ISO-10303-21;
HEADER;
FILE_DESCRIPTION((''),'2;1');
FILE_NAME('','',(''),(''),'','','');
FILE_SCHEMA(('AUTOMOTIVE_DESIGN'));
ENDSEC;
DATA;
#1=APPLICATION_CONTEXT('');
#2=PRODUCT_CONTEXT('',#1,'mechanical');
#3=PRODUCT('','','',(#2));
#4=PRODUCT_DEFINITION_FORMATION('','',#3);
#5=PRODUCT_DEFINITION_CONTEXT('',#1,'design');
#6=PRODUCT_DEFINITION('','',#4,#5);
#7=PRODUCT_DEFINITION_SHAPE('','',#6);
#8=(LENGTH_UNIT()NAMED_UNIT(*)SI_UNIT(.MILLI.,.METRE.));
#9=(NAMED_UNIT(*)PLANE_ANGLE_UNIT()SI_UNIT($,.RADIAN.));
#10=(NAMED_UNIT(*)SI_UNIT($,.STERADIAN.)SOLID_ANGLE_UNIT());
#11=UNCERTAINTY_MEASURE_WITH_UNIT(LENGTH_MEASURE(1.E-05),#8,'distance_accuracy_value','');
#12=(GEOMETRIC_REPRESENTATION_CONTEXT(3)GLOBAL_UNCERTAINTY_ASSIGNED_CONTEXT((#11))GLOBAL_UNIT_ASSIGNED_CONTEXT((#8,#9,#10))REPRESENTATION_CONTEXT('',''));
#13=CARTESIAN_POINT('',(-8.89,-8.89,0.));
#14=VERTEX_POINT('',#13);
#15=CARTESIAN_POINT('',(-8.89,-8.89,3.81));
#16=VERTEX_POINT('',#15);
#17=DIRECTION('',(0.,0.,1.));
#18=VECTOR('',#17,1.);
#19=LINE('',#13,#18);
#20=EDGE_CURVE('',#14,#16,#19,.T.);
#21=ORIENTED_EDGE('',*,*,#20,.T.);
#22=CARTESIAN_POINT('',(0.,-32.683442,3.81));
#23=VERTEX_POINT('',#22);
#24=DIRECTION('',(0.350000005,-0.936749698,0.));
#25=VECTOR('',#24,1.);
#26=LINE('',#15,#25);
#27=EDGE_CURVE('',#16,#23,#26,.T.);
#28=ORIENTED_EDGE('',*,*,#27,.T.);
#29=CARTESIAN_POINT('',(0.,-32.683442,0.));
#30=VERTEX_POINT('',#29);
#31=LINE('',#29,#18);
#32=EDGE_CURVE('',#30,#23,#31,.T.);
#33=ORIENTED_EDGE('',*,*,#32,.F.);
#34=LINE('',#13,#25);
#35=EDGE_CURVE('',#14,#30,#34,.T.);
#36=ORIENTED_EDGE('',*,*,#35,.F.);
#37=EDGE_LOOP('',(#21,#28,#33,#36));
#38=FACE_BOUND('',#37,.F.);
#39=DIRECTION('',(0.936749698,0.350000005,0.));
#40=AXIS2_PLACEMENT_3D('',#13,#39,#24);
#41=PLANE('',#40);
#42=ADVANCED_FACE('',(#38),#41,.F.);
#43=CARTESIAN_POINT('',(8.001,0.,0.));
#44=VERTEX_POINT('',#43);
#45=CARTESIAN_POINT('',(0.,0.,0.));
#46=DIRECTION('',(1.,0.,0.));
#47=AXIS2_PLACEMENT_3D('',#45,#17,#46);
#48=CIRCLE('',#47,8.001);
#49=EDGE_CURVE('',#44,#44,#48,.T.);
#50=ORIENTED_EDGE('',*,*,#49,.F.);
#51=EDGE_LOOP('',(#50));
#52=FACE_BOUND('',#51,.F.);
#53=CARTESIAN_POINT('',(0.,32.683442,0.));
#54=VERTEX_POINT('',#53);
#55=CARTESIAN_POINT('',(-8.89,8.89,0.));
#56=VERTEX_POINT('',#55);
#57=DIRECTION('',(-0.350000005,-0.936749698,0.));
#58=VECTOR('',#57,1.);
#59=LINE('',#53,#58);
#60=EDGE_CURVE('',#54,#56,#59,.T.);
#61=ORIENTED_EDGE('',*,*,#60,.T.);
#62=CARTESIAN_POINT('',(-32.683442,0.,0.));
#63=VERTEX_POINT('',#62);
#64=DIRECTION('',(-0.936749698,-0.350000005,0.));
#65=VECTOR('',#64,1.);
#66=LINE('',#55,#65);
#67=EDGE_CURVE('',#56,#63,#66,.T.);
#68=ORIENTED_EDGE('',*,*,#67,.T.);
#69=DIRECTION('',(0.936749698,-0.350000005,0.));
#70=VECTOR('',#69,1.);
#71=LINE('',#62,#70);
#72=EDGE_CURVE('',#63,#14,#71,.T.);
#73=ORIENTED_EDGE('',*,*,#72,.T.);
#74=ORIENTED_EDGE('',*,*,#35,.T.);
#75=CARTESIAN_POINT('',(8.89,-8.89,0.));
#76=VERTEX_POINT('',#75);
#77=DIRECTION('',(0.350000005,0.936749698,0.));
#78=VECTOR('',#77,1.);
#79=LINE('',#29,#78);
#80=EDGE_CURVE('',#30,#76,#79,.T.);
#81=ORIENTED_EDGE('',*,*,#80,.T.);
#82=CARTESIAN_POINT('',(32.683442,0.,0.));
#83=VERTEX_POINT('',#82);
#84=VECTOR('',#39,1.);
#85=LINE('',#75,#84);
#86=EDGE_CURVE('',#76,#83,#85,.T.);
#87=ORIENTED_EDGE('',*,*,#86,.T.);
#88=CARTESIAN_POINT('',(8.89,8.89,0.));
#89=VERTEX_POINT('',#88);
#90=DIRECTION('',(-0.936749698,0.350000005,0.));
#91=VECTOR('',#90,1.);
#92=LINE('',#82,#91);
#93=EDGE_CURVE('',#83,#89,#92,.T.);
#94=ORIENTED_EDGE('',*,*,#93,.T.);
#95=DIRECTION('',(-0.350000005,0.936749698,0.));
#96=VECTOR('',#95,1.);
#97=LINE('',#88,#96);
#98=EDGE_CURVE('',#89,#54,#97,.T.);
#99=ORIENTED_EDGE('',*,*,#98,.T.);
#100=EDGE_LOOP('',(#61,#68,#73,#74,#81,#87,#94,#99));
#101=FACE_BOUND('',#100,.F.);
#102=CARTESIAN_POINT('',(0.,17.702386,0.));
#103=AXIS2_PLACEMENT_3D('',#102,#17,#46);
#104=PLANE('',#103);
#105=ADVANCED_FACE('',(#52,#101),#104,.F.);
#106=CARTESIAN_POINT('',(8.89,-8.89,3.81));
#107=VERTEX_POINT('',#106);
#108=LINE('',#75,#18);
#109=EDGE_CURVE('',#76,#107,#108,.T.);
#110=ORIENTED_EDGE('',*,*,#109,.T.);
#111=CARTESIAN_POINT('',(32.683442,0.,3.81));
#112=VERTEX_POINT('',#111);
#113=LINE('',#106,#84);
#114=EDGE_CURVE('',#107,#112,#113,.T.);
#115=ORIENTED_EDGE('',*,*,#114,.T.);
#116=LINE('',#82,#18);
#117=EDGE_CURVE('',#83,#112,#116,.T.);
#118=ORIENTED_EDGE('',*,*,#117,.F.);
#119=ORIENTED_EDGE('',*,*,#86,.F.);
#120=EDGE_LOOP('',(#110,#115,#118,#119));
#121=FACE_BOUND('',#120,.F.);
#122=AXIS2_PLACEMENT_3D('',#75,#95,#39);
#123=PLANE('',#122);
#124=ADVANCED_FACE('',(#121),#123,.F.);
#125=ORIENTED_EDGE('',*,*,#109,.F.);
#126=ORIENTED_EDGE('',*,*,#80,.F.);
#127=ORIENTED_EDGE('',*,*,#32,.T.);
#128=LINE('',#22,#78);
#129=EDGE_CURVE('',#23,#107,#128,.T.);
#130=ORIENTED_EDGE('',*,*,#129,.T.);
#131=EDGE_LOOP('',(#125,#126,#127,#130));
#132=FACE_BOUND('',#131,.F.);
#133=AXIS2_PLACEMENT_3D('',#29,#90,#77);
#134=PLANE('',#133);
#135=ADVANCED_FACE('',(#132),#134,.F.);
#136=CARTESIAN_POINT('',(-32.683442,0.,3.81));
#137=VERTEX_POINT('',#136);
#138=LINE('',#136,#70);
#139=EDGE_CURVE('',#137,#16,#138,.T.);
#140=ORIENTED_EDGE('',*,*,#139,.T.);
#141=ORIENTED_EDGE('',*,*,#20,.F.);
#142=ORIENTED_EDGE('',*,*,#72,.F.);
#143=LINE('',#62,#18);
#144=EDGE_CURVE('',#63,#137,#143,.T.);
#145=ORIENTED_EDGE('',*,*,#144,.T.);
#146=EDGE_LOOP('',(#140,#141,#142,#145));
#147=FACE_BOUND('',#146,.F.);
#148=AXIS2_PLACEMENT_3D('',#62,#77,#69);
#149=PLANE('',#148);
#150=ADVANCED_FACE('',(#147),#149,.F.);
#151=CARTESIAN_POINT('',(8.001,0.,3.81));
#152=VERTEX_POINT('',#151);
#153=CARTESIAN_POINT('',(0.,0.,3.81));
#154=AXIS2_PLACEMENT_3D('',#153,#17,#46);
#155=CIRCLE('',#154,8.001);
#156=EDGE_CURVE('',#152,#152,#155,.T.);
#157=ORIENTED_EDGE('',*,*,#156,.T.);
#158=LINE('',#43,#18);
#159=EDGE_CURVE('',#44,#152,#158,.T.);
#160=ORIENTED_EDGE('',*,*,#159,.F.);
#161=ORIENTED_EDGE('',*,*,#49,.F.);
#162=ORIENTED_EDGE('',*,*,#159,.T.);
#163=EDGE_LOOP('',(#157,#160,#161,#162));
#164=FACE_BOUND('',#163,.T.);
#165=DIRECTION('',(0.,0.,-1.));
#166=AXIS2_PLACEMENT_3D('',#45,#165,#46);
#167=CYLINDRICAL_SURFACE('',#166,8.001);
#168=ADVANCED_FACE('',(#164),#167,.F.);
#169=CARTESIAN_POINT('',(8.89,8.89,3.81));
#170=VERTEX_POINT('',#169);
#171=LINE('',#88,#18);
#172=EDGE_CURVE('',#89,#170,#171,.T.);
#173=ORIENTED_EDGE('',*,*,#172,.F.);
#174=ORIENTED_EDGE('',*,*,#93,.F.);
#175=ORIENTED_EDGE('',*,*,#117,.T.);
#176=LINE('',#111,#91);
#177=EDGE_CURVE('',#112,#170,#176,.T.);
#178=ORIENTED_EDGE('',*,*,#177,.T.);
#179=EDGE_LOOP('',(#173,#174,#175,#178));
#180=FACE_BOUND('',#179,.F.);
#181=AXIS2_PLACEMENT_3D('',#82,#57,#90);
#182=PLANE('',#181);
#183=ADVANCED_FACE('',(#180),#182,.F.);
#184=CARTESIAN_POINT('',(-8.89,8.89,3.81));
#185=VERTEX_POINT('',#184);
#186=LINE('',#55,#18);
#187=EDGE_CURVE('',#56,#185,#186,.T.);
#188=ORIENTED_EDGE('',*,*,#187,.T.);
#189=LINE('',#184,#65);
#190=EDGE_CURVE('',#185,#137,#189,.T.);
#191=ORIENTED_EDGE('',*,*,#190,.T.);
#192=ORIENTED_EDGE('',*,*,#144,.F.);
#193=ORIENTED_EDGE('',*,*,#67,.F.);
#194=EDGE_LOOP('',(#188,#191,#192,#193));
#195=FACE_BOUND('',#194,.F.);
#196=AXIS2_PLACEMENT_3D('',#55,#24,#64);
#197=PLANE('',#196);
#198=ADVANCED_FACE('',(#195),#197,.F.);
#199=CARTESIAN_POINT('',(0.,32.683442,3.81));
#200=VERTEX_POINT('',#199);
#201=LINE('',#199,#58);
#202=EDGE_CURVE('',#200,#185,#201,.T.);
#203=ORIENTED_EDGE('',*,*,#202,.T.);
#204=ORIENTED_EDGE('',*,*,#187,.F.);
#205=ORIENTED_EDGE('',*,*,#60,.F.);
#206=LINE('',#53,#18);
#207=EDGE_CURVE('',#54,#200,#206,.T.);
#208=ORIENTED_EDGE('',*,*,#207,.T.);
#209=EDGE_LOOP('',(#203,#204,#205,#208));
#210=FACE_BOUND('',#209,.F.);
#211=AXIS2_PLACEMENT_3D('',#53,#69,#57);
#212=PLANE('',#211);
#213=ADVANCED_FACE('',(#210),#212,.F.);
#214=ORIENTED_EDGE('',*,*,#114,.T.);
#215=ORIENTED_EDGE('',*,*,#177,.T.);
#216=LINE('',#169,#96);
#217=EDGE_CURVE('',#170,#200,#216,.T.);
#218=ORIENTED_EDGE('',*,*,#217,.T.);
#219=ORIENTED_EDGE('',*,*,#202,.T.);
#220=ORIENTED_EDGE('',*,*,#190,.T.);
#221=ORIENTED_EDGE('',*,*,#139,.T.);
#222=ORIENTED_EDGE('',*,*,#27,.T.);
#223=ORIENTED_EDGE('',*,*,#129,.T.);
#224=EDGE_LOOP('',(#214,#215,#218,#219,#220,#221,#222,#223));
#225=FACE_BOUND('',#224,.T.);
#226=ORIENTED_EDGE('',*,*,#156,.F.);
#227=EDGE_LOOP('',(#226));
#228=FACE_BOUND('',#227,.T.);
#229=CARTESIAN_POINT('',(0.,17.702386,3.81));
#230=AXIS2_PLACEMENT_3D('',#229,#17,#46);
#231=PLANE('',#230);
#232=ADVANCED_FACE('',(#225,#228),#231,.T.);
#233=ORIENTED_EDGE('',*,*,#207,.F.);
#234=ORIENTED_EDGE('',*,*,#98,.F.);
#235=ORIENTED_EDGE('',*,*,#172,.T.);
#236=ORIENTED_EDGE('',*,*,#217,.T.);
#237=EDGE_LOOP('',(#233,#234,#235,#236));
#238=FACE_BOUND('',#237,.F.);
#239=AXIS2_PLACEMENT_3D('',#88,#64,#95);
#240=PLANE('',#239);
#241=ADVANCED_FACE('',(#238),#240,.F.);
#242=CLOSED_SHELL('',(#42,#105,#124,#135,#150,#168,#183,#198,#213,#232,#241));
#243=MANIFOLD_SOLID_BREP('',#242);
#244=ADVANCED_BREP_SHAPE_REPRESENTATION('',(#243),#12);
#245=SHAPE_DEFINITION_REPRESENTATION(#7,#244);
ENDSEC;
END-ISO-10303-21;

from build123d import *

# Parameters (mm, degrees)
F0_W     = 17.78
F0_H     = 17.78
F0_R     = 8.001
F1_DEPTH = 3.81


with BuildPart() as f1:
    # F0 (on Top) → F1 (new body)
    with BuildSketch(Plane.XY):
        Polygon((-8.89, 8.89), (8.89, 8.89), (0, 32.683442), align=None)
        Polygon((-8.89, -8.89), (-8.89, 8.89), (-32.683442, 0), align=None)
        Polygon((0, -32.683442), (8.89, -8.89), (-8.89, -8.89), align=None)
        Polygon((32.683442, 0), (8.89, 8.89), (8.89, -8.89), align=None)
        Rectangle(F0_W, F0_H)
        Circle(F0_R, mode=Mode.SUBTRACT)
    extrude(amount=F1_DEPTH)


solid = f1.part
